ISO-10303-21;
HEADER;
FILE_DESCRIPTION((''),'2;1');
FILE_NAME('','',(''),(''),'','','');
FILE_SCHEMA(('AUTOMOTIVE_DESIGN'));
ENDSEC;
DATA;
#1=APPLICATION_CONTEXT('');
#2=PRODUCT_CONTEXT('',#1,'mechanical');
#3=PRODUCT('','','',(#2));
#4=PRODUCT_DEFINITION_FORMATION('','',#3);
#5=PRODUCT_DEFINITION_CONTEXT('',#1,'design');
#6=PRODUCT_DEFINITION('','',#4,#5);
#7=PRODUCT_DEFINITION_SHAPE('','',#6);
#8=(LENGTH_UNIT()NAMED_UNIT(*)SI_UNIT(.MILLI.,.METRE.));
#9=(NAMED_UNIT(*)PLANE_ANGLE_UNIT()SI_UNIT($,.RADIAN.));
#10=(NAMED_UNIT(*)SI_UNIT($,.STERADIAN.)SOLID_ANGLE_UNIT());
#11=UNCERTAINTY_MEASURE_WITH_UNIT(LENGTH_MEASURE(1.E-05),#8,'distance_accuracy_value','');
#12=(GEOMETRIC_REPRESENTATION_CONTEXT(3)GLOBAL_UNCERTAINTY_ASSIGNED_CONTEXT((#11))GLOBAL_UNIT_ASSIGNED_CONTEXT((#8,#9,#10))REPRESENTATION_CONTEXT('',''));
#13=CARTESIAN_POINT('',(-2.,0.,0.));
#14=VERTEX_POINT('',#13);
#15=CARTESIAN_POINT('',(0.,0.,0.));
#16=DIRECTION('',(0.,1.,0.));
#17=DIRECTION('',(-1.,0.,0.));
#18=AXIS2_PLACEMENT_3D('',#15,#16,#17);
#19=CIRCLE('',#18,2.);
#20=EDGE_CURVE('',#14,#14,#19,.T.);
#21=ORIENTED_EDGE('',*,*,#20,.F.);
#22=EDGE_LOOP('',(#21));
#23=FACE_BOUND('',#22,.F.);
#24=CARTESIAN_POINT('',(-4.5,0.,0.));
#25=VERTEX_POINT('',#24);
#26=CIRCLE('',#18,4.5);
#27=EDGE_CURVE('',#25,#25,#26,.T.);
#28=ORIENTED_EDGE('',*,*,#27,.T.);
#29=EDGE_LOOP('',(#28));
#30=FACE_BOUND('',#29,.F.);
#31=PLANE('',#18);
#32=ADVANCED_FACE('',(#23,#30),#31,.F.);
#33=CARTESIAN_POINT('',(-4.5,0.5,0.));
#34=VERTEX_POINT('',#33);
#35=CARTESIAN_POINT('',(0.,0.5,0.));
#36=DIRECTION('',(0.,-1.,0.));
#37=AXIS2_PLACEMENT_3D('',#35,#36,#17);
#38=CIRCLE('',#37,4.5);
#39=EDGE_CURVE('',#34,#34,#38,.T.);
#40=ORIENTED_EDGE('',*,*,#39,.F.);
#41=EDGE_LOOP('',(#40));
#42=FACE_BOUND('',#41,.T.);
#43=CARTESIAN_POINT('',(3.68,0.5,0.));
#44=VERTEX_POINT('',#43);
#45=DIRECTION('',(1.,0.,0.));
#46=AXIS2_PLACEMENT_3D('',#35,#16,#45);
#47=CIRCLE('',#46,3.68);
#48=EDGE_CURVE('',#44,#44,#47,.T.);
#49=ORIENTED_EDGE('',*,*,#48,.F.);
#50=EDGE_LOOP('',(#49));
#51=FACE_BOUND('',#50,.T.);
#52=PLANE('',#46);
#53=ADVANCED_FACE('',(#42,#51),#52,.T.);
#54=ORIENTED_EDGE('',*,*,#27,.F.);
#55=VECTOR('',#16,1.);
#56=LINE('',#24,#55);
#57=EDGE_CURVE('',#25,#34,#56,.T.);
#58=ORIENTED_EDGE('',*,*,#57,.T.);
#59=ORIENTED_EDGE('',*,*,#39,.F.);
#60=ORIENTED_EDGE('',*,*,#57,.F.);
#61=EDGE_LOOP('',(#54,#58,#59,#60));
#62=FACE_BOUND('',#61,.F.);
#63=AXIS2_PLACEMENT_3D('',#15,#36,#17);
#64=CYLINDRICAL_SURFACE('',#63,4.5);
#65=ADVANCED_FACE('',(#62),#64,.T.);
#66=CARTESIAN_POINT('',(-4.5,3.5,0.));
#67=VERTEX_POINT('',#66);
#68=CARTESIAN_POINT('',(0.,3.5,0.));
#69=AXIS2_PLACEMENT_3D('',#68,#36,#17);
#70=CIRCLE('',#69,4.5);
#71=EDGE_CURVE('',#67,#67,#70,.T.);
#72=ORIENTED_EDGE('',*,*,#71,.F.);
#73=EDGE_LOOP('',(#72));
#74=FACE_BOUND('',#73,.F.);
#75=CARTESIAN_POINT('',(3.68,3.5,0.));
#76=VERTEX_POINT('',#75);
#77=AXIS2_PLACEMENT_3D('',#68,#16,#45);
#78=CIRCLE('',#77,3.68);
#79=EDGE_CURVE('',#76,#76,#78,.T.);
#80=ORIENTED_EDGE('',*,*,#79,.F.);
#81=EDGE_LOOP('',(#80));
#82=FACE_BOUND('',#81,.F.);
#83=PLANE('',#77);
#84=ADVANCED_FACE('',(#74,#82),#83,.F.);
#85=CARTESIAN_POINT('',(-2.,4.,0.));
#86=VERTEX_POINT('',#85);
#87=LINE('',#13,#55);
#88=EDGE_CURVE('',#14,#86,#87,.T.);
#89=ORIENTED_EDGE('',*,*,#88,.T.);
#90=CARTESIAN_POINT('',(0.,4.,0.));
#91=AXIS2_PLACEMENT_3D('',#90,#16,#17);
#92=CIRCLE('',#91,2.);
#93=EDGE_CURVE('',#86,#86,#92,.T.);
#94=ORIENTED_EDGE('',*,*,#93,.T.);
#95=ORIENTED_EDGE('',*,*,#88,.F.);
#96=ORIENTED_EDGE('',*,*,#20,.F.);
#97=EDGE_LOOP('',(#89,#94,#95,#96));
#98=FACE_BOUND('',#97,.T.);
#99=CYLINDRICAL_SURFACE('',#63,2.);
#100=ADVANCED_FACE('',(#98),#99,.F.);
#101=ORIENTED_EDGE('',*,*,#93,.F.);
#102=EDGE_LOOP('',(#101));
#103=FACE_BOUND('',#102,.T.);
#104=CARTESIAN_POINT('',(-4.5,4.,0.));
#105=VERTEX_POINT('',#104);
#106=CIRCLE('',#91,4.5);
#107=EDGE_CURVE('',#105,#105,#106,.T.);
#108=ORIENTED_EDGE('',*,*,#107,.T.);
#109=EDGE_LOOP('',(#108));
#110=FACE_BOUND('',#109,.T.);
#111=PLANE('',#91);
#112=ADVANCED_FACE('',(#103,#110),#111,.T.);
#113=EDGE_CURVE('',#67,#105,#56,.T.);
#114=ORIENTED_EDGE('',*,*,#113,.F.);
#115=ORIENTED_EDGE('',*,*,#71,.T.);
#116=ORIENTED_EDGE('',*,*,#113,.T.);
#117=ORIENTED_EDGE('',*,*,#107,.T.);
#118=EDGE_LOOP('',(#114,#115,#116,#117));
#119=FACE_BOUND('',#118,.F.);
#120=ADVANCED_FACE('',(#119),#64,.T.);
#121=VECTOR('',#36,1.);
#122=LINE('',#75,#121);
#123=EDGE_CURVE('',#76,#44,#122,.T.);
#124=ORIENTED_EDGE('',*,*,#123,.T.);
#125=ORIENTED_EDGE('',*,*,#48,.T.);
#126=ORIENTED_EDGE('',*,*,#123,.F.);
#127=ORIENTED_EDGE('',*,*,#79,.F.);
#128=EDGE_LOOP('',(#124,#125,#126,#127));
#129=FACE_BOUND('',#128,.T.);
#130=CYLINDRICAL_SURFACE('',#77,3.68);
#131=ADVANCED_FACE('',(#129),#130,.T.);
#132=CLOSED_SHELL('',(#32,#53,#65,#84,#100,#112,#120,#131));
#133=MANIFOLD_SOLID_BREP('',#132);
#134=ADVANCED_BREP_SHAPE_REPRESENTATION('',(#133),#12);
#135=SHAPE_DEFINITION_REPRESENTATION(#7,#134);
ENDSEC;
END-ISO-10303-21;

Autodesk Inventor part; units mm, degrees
ref_plane "YZ Plane" through (0, 0, 0) normal (1, 0, 0) x (0, 1, 0)
ref_plane "XZ Plane" through (0, 0, 0) normal (0, 1, 0) x (-1, 0, 0)
ref_plane "XY Plane" through (0, 0, 0) normal (0, 0, 1) x (1, 0, 0)
sketch "Sketch1" plane through (0, 0, 0) normal (0, 1, 0) x (-1, 0, 0)
  circle A0 centre (0, 0) radius 4.5
  circle A1 centre (0, 0) radius 2
  dimension "d0" = 9
  dimension "d1" = 4
extrude "Extrusion1" add sketch "Sketch1" along normal blind 4
ref_plane "Work Plane1" through (0, 3.5, 0) normal (0, 1, 0) x (1, 0, 0)
sketch "Sketch2" plane through (0, 3.5, 0) normal (0, 1, 0) x (1, 0, 0)
  circle A0 centre (0, 0) radius 4.5 projected
  circle A1 centre (0, 0) radius 3.68
  dimension "d5" = 0.82
extrude "Extrusion2" cut sketch "Sketch2" against normal blind 3
properties part number "BearingReplacement" material "Steel, Carbon"
